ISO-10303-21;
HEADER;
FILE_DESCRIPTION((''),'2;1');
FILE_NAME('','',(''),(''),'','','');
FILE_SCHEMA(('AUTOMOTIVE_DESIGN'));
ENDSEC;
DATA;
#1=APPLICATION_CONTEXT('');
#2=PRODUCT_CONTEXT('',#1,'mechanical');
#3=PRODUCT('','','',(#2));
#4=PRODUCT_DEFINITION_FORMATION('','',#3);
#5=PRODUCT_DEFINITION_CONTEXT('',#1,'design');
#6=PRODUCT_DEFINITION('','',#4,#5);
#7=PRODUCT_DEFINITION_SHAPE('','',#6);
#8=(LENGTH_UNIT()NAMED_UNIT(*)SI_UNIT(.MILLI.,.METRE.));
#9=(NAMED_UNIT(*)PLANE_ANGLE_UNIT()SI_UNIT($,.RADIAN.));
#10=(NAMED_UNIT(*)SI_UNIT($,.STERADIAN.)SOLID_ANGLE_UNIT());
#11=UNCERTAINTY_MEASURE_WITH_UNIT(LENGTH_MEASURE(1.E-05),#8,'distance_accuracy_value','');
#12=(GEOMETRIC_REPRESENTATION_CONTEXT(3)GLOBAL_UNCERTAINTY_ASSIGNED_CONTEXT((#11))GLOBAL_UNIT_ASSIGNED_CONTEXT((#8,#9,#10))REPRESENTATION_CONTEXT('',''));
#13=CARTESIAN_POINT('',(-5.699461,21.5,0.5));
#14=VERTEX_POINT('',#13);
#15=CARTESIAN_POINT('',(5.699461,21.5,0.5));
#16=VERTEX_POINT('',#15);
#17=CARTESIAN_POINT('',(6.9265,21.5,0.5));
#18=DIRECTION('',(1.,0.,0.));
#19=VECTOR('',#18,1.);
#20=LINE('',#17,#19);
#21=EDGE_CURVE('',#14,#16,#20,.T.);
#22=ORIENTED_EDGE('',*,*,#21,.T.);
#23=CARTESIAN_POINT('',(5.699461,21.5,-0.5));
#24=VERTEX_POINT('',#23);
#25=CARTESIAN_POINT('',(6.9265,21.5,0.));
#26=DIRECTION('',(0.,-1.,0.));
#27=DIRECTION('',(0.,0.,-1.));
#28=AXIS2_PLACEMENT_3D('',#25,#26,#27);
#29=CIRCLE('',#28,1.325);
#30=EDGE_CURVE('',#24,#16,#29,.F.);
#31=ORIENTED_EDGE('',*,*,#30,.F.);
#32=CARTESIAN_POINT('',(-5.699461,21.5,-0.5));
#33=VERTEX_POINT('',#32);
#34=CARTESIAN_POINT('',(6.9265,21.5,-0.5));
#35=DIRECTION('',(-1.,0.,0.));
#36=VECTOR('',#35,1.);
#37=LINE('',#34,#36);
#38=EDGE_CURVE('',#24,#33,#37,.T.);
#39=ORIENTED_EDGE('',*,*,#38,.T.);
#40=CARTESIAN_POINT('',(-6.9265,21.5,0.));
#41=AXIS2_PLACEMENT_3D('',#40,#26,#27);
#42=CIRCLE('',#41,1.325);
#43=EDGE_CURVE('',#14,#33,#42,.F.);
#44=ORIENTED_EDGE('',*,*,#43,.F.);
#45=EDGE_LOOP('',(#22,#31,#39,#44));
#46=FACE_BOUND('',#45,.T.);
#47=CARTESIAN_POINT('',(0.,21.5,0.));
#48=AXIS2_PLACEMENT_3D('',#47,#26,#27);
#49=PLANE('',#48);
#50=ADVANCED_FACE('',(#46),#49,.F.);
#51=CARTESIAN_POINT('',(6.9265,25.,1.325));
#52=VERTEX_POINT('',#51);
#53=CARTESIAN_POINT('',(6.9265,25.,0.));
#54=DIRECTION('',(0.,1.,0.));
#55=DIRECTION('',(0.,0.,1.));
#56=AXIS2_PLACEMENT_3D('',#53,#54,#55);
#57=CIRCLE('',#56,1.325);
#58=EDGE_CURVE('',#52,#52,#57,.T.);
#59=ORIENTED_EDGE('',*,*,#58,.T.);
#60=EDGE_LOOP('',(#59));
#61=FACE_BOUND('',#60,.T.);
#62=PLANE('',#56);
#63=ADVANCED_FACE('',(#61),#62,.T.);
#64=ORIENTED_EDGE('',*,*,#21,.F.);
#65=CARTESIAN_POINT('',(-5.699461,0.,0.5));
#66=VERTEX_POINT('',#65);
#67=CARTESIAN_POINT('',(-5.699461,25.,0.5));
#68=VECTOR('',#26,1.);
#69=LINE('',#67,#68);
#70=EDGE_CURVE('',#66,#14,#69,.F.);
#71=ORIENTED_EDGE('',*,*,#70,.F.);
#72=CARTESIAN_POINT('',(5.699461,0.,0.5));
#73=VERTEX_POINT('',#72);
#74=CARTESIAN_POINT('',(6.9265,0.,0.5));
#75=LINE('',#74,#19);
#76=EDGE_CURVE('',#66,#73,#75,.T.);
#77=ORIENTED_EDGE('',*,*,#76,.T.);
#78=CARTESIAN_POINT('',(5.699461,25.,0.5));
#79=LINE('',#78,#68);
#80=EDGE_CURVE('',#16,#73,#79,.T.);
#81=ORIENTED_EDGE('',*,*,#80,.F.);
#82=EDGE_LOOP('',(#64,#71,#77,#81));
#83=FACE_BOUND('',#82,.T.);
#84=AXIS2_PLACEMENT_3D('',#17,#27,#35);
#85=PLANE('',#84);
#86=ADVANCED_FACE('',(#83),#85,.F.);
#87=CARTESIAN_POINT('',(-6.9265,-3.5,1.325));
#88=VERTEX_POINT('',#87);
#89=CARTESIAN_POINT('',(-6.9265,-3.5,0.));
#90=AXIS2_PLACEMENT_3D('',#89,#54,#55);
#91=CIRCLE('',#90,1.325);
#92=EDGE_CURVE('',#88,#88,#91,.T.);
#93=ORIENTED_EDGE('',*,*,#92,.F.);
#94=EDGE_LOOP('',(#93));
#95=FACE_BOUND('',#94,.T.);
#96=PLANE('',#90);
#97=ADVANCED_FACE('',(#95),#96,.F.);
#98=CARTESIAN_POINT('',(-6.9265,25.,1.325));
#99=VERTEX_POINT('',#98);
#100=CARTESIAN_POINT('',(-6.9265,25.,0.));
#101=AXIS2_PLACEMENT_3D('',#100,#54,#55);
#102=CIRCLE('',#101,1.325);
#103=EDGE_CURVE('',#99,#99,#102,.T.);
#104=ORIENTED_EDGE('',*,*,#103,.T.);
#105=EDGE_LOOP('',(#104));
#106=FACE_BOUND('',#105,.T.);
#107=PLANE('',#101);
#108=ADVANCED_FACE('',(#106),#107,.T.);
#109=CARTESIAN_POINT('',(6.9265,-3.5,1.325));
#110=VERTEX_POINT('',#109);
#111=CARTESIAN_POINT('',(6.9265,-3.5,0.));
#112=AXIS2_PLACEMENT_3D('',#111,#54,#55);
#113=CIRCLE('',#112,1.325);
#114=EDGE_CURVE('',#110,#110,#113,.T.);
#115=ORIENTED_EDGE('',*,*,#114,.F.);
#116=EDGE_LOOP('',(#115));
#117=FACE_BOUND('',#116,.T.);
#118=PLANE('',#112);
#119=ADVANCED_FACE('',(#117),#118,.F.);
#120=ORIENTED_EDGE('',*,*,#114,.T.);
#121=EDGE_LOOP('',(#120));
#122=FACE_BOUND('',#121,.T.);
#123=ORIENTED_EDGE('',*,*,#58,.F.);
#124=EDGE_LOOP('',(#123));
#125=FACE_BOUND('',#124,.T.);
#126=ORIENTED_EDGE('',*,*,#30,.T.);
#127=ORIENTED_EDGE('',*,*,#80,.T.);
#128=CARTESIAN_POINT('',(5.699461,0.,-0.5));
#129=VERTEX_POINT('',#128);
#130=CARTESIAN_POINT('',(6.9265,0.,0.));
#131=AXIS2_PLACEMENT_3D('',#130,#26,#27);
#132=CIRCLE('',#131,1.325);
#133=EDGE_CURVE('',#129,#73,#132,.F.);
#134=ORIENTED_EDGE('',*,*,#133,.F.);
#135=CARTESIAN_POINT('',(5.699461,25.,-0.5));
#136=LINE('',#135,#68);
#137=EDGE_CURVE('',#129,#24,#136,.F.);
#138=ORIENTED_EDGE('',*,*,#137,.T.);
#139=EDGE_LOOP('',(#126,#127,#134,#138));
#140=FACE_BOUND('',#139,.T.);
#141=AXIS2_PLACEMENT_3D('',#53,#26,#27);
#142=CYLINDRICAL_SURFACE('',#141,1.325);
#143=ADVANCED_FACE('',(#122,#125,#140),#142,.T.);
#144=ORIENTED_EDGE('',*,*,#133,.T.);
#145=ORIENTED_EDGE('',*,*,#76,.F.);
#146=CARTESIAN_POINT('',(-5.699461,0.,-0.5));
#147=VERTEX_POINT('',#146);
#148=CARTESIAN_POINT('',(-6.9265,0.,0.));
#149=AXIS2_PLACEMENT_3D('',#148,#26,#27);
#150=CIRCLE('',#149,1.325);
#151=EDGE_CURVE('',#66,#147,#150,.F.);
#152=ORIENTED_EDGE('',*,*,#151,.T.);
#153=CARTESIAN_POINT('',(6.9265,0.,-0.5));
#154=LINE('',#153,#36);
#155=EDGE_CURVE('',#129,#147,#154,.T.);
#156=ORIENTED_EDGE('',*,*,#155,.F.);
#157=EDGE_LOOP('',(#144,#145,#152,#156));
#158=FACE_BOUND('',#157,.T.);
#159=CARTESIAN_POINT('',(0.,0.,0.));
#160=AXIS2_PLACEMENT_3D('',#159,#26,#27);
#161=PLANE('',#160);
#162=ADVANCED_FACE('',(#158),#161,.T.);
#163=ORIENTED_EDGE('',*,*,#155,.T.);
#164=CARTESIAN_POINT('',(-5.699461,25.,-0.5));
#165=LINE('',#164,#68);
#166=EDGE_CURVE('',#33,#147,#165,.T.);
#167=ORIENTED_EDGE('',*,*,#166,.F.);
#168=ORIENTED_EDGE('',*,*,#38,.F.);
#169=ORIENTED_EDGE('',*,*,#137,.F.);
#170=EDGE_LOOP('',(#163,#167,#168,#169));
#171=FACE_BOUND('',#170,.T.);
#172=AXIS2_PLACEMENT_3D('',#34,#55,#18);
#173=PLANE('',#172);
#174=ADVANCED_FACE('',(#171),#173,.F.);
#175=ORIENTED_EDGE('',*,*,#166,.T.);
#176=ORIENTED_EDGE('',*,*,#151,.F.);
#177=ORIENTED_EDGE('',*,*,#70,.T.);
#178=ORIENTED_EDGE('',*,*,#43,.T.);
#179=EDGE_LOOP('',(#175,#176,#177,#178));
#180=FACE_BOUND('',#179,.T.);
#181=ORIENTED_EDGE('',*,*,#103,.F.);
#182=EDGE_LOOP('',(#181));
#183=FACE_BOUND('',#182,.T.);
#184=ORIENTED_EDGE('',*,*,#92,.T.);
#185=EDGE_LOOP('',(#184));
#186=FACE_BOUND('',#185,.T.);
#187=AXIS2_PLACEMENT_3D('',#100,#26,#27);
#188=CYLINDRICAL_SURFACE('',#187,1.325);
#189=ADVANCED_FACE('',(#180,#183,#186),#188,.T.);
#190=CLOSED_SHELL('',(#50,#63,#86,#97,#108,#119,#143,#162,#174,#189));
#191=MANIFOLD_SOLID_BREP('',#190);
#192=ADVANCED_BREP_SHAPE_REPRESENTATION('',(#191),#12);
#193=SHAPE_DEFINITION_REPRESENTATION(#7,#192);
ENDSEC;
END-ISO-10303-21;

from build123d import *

# Parameters (mm, degrees)
SKETCH1_W           = 13.853
SKETCH1_H           = 1
BOSS_EXTRUDE1_DEPTH = 21.5
SKETCH2_R           = 1.325
BOSS_EXTRUDE2_DEPTH = 14.25


with BuildPart() as part:
    # Sketch1 → Boss-Extrude1 (new body)
    with BuildSketch(Plane(origin=(0, 0, 0), x_dir=(1, 0, 0), z_dir=(0, 1, 0))):
        Rectangle(SKETCH1_W, SKETCH1_H)
    extrude(amount=BOSS_EXTRUDE1_DEPTH)

    # Sketch2 → Boss-Extrude2 (add, symmetric)
    with BuildSketch(Plane(origin=(0, 10.75, 0), x_dir=(1, 0, 0), z_dir=(0, 1, 0))):
        with Locations(Location((-6.9265, 0, 0), (0, 0, 270))):
            Circle(SKETCH2_R)
        with Locations(Location((6.9265, 0, 0), (0, 0, 270))):
            Circle(SKETCH2_R)
    extrude(amount=BOSS_EXTRUDE2_DEPTH, both=True)


solid = part.part
